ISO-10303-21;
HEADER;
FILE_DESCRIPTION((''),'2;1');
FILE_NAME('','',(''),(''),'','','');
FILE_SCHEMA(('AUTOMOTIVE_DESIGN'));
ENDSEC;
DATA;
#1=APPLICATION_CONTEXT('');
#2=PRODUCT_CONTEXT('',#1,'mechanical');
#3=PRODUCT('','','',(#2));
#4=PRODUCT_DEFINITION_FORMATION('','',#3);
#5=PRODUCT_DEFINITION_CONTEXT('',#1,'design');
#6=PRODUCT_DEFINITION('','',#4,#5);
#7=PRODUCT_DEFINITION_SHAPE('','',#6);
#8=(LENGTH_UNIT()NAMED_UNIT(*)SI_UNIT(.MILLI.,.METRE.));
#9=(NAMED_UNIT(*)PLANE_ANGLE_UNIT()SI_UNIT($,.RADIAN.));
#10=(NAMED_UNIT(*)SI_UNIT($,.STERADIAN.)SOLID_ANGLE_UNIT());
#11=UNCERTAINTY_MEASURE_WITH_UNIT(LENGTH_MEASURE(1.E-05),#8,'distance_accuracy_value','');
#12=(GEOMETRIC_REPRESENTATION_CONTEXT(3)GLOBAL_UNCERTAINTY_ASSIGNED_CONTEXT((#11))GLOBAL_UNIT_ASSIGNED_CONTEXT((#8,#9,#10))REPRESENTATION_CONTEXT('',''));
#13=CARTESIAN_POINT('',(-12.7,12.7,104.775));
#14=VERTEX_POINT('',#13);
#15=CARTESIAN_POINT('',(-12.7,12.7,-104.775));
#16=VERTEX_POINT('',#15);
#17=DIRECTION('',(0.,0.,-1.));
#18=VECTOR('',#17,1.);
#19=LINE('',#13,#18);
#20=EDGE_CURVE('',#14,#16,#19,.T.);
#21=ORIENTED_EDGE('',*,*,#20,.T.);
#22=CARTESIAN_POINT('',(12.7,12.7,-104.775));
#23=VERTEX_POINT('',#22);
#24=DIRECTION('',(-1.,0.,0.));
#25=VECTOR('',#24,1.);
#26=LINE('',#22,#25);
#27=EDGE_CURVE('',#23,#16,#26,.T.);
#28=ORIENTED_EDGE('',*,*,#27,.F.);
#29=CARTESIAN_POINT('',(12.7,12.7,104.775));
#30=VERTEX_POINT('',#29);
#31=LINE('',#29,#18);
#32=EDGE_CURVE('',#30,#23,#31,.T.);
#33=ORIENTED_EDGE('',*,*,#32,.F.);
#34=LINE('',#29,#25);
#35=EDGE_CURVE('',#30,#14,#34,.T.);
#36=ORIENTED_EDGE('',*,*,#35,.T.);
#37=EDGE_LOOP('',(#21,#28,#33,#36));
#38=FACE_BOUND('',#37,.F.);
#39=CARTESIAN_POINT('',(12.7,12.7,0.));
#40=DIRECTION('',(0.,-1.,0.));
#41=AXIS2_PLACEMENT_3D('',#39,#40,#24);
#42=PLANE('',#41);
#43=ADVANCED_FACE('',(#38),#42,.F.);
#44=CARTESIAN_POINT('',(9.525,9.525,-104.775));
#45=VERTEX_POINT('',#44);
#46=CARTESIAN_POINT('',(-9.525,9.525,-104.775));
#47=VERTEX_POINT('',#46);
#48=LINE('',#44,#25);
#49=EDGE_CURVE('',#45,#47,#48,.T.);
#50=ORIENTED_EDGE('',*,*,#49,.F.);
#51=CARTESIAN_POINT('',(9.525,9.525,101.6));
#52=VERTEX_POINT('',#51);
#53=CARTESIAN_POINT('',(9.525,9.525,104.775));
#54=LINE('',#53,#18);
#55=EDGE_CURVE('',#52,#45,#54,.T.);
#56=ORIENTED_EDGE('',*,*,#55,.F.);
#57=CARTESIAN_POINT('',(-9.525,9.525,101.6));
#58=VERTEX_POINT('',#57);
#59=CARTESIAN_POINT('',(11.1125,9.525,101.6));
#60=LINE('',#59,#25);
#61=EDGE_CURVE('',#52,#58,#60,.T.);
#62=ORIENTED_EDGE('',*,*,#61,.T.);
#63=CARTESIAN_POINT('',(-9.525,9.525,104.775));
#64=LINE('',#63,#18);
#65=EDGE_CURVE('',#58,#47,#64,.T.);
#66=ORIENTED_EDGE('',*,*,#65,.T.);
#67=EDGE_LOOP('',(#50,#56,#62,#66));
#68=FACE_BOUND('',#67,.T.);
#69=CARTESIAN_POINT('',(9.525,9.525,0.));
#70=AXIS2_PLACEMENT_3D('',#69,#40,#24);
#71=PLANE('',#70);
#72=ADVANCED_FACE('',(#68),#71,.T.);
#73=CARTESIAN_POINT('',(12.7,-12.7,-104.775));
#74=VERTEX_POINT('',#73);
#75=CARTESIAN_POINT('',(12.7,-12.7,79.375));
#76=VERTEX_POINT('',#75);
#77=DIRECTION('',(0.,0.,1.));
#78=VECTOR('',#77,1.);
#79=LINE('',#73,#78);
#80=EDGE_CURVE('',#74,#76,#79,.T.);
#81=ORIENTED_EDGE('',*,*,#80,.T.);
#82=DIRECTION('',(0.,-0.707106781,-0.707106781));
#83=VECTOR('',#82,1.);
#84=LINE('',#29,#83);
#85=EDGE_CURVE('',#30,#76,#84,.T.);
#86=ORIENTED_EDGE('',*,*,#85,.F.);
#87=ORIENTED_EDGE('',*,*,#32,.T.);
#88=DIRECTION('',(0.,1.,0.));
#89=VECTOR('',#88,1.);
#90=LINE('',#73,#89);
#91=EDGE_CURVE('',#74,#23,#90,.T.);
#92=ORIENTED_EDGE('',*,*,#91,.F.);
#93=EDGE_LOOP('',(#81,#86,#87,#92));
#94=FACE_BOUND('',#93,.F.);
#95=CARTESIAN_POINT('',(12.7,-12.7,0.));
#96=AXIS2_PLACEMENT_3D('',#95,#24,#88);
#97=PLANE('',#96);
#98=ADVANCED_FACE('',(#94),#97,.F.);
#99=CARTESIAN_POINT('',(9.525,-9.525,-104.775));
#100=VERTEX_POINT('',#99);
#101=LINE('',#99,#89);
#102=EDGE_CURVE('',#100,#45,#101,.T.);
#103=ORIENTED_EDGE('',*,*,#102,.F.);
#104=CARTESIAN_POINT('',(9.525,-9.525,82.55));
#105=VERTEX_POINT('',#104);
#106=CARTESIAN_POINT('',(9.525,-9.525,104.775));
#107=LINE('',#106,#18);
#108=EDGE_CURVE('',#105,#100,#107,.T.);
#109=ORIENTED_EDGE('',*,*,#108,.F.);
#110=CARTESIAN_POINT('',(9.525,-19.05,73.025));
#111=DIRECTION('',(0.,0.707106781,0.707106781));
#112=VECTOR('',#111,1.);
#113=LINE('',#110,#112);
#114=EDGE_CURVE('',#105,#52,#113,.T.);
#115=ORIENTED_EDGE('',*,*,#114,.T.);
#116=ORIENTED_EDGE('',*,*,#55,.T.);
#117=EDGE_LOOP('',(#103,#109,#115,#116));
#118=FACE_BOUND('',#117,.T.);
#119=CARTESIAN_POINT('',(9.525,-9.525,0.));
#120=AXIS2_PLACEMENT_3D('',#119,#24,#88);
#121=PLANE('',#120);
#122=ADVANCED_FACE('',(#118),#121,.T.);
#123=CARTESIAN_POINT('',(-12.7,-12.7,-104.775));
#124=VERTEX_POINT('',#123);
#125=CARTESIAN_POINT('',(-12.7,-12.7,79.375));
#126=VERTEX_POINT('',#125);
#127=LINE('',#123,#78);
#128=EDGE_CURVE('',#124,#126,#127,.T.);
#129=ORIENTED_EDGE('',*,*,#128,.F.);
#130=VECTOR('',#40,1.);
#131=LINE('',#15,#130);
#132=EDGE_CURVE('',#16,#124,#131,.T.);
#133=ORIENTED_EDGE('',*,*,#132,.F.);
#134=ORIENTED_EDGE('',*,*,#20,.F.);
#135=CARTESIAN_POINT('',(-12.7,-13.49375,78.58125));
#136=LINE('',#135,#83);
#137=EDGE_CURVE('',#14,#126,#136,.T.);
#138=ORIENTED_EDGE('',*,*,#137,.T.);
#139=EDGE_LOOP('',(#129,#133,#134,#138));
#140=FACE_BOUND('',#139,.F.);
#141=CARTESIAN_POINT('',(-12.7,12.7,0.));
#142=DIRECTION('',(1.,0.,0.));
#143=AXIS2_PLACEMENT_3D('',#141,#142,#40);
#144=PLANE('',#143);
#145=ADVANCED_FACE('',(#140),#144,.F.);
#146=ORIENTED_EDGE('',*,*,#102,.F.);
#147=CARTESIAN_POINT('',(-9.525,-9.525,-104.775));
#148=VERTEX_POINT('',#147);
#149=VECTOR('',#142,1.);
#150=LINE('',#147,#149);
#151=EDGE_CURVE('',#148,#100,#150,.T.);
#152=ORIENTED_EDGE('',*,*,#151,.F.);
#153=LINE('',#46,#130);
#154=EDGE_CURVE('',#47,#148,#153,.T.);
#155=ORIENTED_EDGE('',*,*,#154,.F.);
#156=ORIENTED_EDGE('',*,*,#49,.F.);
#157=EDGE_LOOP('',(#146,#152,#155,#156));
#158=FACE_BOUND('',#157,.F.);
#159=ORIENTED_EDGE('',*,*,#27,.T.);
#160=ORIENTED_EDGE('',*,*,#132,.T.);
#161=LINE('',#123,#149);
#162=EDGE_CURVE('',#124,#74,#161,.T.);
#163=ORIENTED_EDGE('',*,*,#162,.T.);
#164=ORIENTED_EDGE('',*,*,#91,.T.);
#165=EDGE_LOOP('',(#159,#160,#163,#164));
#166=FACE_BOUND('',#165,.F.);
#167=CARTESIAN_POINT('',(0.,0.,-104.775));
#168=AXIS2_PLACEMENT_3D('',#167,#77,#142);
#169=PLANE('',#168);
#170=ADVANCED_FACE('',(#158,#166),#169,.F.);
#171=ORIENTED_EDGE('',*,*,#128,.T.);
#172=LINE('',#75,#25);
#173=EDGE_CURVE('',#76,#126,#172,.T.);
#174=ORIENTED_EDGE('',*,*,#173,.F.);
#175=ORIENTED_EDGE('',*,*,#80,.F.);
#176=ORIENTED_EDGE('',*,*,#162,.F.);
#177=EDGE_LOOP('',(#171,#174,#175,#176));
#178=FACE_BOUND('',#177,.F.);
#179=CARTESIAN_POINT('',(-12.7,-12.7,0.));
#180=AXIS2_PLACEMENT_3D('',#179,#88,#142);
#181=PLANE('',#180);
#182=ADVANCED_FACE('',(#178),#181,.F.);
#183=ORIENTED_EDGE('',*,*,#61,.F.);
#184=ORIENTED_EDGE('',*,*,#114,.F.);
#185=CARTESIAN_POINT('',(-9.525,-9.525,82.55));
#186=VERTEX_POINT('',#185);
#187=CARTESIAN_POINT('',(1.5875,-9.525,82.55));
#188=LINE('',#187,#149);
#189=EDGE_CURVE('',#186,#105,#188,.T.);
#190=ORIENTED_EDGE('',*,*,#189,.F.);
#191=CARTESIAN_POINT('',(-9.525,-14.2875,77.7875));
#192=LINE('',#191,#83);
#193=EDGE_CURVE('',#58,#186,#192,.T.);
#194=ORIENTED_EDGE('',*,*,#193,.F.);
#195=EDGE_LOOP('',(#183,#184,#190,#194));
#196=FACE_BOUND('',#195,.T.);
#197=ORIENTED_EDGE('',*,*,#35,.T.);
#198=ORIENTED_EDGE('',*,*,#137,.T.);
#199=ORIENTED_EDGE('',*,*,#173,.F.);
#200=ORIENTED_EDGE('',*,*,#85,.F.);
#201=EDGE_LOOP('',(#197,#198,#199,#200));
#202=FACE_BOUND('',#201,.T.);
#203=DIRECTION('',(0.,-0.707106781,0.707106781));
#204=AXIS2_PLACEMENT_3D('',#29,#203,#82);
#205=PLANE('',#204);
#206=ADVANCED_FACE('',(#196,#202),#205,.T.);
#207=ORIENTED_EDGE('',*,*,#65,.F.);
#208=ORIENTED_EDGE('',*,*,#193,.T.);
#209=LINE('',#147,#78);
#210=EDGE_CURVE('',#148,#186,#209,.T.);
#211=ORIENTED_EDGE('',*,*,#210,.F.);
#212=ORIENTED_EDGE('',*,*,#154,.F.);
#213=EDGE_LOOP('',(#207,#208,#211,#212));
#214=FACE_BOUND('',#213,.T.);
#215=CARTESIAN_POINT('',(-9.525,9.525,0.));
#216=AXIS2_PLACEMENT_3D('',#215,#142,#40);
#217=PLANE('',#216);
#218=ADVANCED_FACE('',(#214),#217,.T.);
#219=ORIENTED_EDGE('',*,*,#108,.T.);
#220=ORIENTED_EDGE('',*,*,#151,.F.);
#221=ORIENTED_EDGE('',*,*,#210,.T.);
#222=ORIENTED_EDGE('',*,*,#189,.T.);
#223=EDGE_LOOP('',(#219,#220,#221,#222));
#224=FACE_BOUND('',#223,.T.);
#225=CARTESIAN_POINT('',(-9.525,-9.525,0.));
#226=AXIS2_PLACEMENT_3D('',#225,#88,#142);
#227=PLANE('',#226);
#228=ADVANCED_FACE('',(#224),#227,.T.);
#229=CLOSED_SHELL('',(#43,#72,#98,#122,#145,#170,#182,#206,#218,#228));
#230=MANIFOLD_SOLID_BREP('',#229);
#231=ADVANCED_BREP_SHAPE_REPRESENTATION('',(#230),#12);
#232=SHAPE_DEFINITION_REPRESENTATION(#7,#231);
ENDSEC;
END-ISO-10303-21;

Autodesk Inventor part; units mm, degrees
ref_plane "YZ Plane" through (0, 0, 0) normal (1, 0, 0) x (0, 1, 0)
ref_plane "XZ Plane" through (0, 0, 0) normal (0, 1, 0) x (-1, 0, 0)
ref_plane "XY Plane" through (0, 0, 0) normal (0, 0, 1) x (1, 0, 0)
sketch "Sketch1" plane through (0, 0, 0) normal (0, 0, 1) x (1, 0, 0)
  line L0 (-12.7, -12.7) -> (12.7, -12.7)
  line L1 (12.7, -12.7) -> (12.7, 12.7)
  line L2 (12.7, 12.7) -> (-12.7, 12.7)
  line L3 (-12.7, 12.7) -> (-12.7, -12.7)
  line L4 (-12.7, -12.7) -> (12.7, 12.7) construction
  line L5 (12.7, -12.7) -> (-12.7, 12.7) construction
  line L6 (-9.525, -9.525) -> (9.525, -9.525)
  line L7 (9.525, -9.525) -> (9.525, 9.525)
  line L8 (9.525, 9.525) -> (-9.525, 9.525)
  line L9 (-9.525, 9.525) -> (-9.525, -9.525)
  line L10 (-9.525, -9.525) -> (9.525, 9.525) construction
  line L11 (9.525, -9.525) -> (-9.525, 9.525) construction
  point P0 (0, 0)
  dimension "d0" = 25.4
  dimension "d1" = 25.4
  dimension "d2" = 3.175
  dimension "d3" = 3.175
extrude "Extrusion1" add sketch "Sketch1" along normal mid plane 209.55
sketch "Sketch5" plane through (12.7, -12.7, 104.775) normal (1, 0, 0) x (0, 0, -1)
  line L0 (0, 25.4) -> (0, 0) projected
  line L1 (0, 25.4) -> (25.4, 0)
  line L2 (209.55, 0) -> (0, 0) projected
  line L3 (0, 25.4) -> (35.921, 25.4) construction
  line L4 (25.4, 0) -> (0, 0)
  line L5 (0, 0) -> (0, 25.4)
  line L6 (0, 22.225) -> (0, 3.175) projected
  point P0 (104.775, 12.7)
  dimension "d12" = 45
extrude "Extrusion3" cut sketch "Sketch5" against normal through all
properties part number "8_250-inchAluminumTubingWithOne45DegreeCut" material "Aluminum 6061"
